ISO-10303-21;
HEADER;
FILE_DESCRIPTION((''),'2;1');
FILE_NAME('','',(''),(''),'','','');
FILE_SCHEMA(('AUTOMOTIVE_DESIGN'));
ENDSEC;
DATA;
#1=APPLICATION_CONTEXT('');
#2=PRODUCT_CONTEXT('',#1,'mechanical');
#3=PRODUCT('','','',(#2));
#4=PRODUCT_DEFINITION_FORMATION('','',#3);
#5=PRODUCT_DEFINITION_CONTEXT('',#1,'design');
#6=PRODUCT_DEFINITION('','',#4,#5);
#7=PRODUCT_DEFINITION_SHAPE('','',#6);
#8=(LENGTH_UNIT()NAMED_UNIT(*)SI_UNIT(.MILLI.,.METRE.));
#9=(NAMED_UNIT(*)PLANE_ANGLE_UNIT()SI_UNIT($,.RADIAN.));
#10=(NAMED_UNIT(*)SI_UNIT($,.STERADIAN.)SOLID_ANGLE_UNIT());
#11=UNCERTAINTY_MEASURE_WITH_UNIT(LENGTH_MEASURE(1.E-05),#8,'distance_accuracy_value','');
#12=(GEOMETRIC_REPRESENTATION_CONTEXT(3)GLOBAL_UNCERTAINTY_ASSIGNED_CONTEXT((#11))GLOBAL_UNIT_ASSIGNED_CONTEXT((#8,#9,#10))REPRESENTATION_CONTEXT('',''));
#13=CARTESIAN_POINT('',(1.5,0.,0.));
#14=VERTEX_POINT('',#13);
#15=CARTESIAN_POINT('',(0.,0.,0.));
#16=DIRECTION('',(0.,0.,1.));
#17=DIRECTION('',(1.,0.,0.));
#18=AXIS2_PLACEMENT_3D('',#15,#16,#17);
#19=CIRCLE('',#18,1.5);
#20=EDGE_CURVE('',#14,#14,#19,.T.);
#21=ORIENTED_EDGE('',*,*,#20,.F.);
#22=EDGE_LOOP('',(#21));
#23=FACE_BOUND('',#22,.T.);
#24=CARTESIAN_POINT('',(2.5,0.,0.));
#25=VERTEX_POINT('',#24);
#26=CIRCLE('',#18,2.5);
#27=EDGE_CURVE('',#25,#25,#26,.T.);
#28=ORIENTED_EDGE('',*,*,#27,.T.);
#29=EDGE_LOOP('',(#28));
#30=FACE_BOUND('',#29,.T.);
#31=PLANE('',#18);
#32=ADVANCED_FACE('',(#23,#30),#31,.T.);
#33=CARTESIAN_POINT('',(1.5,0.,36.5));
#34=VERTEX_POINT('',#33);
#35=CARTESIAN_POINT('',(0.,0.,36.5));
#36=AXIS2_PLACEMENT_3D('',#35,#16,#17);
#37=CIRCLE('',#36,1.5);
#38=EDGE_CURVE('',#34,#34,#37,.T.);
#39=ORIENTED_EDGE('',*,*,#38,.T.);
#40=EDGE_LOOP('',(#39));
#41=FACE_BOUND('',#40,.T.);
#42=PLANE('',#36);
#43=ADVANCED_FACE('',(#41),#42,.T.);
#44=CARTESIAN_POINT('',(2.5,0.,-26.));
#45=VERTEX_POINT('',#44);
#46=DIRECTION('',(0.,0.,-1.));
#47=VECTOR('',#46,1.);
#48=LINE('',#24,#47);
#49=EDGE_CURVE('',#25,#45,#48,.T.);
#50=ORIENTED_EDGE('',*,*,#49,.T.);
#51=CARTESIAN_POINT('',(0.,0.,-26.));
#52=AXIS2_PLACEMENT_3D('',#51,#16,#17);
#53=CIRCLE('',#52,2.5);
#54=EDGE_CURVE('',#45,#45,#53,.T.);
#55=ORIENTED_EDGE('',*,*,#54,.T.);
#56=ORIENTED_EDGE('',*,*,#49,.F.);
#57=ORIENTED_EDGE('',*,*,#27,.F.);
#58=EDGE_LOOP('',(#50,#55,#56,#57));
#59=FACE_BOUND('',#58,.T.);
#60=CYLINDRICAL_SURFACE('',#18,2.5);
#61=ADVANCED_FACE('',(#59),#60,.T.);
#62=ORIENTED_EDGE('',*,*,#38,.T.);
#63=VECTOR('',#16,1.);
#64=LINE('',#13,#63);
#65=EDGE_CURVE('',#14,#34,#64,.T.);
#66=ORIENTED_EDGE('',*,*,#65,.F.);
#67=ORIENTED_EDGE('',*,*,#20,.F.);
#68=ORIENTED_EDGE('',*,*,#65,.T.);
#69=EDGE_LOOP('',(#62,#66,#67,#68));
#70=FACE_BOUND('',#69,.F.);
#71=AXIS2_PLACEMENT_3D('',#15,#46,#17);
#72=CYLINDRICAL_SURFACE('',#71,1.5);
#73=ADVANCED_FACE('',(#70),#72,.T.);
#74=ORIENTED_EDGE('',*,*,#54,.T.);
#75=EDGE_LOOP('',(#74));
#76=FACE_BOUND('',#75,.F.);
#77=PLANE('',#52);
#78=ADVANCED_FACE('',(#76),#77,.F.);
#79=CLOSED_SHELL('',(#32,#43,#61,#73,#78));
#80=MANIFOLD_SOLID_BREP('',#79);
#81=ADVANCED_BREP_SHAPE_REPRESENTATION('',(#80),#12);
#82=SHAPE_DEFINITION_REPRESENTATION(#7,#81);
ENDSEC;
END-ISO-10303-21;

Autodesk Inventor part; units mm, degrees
ref_plane "YZ Plane" through (0, 0, 0) normal (1, 0, 0) x (0, 1, 0)
ref_plane "XZ Plane" through (0, 0, 0) normal (0, 1, 0) x (-1, 0, 0)
ref_plane "XY Plane" through (0, 0, 0) normal (0, 0, 1) x (1, 0, 0)
sketch "Sketch1" plane through (0, 0, 0) normal (0, 0, 1) x (1, 0, 0)
  circle A0 centre (0, 0) radius 2.5
  circle A1 centre (0, 0) radius 1.5
  dimension "d0" = 5
  dimension "d1" = 3
extrude "Extrusion1" add sketch "Sketch1" along normal blind 36.5 contours A1
extrude "Extrusion2" add sketch "Sketch1" against normal blind 26 contours A0 | A1
properties part number "Antenne2"
